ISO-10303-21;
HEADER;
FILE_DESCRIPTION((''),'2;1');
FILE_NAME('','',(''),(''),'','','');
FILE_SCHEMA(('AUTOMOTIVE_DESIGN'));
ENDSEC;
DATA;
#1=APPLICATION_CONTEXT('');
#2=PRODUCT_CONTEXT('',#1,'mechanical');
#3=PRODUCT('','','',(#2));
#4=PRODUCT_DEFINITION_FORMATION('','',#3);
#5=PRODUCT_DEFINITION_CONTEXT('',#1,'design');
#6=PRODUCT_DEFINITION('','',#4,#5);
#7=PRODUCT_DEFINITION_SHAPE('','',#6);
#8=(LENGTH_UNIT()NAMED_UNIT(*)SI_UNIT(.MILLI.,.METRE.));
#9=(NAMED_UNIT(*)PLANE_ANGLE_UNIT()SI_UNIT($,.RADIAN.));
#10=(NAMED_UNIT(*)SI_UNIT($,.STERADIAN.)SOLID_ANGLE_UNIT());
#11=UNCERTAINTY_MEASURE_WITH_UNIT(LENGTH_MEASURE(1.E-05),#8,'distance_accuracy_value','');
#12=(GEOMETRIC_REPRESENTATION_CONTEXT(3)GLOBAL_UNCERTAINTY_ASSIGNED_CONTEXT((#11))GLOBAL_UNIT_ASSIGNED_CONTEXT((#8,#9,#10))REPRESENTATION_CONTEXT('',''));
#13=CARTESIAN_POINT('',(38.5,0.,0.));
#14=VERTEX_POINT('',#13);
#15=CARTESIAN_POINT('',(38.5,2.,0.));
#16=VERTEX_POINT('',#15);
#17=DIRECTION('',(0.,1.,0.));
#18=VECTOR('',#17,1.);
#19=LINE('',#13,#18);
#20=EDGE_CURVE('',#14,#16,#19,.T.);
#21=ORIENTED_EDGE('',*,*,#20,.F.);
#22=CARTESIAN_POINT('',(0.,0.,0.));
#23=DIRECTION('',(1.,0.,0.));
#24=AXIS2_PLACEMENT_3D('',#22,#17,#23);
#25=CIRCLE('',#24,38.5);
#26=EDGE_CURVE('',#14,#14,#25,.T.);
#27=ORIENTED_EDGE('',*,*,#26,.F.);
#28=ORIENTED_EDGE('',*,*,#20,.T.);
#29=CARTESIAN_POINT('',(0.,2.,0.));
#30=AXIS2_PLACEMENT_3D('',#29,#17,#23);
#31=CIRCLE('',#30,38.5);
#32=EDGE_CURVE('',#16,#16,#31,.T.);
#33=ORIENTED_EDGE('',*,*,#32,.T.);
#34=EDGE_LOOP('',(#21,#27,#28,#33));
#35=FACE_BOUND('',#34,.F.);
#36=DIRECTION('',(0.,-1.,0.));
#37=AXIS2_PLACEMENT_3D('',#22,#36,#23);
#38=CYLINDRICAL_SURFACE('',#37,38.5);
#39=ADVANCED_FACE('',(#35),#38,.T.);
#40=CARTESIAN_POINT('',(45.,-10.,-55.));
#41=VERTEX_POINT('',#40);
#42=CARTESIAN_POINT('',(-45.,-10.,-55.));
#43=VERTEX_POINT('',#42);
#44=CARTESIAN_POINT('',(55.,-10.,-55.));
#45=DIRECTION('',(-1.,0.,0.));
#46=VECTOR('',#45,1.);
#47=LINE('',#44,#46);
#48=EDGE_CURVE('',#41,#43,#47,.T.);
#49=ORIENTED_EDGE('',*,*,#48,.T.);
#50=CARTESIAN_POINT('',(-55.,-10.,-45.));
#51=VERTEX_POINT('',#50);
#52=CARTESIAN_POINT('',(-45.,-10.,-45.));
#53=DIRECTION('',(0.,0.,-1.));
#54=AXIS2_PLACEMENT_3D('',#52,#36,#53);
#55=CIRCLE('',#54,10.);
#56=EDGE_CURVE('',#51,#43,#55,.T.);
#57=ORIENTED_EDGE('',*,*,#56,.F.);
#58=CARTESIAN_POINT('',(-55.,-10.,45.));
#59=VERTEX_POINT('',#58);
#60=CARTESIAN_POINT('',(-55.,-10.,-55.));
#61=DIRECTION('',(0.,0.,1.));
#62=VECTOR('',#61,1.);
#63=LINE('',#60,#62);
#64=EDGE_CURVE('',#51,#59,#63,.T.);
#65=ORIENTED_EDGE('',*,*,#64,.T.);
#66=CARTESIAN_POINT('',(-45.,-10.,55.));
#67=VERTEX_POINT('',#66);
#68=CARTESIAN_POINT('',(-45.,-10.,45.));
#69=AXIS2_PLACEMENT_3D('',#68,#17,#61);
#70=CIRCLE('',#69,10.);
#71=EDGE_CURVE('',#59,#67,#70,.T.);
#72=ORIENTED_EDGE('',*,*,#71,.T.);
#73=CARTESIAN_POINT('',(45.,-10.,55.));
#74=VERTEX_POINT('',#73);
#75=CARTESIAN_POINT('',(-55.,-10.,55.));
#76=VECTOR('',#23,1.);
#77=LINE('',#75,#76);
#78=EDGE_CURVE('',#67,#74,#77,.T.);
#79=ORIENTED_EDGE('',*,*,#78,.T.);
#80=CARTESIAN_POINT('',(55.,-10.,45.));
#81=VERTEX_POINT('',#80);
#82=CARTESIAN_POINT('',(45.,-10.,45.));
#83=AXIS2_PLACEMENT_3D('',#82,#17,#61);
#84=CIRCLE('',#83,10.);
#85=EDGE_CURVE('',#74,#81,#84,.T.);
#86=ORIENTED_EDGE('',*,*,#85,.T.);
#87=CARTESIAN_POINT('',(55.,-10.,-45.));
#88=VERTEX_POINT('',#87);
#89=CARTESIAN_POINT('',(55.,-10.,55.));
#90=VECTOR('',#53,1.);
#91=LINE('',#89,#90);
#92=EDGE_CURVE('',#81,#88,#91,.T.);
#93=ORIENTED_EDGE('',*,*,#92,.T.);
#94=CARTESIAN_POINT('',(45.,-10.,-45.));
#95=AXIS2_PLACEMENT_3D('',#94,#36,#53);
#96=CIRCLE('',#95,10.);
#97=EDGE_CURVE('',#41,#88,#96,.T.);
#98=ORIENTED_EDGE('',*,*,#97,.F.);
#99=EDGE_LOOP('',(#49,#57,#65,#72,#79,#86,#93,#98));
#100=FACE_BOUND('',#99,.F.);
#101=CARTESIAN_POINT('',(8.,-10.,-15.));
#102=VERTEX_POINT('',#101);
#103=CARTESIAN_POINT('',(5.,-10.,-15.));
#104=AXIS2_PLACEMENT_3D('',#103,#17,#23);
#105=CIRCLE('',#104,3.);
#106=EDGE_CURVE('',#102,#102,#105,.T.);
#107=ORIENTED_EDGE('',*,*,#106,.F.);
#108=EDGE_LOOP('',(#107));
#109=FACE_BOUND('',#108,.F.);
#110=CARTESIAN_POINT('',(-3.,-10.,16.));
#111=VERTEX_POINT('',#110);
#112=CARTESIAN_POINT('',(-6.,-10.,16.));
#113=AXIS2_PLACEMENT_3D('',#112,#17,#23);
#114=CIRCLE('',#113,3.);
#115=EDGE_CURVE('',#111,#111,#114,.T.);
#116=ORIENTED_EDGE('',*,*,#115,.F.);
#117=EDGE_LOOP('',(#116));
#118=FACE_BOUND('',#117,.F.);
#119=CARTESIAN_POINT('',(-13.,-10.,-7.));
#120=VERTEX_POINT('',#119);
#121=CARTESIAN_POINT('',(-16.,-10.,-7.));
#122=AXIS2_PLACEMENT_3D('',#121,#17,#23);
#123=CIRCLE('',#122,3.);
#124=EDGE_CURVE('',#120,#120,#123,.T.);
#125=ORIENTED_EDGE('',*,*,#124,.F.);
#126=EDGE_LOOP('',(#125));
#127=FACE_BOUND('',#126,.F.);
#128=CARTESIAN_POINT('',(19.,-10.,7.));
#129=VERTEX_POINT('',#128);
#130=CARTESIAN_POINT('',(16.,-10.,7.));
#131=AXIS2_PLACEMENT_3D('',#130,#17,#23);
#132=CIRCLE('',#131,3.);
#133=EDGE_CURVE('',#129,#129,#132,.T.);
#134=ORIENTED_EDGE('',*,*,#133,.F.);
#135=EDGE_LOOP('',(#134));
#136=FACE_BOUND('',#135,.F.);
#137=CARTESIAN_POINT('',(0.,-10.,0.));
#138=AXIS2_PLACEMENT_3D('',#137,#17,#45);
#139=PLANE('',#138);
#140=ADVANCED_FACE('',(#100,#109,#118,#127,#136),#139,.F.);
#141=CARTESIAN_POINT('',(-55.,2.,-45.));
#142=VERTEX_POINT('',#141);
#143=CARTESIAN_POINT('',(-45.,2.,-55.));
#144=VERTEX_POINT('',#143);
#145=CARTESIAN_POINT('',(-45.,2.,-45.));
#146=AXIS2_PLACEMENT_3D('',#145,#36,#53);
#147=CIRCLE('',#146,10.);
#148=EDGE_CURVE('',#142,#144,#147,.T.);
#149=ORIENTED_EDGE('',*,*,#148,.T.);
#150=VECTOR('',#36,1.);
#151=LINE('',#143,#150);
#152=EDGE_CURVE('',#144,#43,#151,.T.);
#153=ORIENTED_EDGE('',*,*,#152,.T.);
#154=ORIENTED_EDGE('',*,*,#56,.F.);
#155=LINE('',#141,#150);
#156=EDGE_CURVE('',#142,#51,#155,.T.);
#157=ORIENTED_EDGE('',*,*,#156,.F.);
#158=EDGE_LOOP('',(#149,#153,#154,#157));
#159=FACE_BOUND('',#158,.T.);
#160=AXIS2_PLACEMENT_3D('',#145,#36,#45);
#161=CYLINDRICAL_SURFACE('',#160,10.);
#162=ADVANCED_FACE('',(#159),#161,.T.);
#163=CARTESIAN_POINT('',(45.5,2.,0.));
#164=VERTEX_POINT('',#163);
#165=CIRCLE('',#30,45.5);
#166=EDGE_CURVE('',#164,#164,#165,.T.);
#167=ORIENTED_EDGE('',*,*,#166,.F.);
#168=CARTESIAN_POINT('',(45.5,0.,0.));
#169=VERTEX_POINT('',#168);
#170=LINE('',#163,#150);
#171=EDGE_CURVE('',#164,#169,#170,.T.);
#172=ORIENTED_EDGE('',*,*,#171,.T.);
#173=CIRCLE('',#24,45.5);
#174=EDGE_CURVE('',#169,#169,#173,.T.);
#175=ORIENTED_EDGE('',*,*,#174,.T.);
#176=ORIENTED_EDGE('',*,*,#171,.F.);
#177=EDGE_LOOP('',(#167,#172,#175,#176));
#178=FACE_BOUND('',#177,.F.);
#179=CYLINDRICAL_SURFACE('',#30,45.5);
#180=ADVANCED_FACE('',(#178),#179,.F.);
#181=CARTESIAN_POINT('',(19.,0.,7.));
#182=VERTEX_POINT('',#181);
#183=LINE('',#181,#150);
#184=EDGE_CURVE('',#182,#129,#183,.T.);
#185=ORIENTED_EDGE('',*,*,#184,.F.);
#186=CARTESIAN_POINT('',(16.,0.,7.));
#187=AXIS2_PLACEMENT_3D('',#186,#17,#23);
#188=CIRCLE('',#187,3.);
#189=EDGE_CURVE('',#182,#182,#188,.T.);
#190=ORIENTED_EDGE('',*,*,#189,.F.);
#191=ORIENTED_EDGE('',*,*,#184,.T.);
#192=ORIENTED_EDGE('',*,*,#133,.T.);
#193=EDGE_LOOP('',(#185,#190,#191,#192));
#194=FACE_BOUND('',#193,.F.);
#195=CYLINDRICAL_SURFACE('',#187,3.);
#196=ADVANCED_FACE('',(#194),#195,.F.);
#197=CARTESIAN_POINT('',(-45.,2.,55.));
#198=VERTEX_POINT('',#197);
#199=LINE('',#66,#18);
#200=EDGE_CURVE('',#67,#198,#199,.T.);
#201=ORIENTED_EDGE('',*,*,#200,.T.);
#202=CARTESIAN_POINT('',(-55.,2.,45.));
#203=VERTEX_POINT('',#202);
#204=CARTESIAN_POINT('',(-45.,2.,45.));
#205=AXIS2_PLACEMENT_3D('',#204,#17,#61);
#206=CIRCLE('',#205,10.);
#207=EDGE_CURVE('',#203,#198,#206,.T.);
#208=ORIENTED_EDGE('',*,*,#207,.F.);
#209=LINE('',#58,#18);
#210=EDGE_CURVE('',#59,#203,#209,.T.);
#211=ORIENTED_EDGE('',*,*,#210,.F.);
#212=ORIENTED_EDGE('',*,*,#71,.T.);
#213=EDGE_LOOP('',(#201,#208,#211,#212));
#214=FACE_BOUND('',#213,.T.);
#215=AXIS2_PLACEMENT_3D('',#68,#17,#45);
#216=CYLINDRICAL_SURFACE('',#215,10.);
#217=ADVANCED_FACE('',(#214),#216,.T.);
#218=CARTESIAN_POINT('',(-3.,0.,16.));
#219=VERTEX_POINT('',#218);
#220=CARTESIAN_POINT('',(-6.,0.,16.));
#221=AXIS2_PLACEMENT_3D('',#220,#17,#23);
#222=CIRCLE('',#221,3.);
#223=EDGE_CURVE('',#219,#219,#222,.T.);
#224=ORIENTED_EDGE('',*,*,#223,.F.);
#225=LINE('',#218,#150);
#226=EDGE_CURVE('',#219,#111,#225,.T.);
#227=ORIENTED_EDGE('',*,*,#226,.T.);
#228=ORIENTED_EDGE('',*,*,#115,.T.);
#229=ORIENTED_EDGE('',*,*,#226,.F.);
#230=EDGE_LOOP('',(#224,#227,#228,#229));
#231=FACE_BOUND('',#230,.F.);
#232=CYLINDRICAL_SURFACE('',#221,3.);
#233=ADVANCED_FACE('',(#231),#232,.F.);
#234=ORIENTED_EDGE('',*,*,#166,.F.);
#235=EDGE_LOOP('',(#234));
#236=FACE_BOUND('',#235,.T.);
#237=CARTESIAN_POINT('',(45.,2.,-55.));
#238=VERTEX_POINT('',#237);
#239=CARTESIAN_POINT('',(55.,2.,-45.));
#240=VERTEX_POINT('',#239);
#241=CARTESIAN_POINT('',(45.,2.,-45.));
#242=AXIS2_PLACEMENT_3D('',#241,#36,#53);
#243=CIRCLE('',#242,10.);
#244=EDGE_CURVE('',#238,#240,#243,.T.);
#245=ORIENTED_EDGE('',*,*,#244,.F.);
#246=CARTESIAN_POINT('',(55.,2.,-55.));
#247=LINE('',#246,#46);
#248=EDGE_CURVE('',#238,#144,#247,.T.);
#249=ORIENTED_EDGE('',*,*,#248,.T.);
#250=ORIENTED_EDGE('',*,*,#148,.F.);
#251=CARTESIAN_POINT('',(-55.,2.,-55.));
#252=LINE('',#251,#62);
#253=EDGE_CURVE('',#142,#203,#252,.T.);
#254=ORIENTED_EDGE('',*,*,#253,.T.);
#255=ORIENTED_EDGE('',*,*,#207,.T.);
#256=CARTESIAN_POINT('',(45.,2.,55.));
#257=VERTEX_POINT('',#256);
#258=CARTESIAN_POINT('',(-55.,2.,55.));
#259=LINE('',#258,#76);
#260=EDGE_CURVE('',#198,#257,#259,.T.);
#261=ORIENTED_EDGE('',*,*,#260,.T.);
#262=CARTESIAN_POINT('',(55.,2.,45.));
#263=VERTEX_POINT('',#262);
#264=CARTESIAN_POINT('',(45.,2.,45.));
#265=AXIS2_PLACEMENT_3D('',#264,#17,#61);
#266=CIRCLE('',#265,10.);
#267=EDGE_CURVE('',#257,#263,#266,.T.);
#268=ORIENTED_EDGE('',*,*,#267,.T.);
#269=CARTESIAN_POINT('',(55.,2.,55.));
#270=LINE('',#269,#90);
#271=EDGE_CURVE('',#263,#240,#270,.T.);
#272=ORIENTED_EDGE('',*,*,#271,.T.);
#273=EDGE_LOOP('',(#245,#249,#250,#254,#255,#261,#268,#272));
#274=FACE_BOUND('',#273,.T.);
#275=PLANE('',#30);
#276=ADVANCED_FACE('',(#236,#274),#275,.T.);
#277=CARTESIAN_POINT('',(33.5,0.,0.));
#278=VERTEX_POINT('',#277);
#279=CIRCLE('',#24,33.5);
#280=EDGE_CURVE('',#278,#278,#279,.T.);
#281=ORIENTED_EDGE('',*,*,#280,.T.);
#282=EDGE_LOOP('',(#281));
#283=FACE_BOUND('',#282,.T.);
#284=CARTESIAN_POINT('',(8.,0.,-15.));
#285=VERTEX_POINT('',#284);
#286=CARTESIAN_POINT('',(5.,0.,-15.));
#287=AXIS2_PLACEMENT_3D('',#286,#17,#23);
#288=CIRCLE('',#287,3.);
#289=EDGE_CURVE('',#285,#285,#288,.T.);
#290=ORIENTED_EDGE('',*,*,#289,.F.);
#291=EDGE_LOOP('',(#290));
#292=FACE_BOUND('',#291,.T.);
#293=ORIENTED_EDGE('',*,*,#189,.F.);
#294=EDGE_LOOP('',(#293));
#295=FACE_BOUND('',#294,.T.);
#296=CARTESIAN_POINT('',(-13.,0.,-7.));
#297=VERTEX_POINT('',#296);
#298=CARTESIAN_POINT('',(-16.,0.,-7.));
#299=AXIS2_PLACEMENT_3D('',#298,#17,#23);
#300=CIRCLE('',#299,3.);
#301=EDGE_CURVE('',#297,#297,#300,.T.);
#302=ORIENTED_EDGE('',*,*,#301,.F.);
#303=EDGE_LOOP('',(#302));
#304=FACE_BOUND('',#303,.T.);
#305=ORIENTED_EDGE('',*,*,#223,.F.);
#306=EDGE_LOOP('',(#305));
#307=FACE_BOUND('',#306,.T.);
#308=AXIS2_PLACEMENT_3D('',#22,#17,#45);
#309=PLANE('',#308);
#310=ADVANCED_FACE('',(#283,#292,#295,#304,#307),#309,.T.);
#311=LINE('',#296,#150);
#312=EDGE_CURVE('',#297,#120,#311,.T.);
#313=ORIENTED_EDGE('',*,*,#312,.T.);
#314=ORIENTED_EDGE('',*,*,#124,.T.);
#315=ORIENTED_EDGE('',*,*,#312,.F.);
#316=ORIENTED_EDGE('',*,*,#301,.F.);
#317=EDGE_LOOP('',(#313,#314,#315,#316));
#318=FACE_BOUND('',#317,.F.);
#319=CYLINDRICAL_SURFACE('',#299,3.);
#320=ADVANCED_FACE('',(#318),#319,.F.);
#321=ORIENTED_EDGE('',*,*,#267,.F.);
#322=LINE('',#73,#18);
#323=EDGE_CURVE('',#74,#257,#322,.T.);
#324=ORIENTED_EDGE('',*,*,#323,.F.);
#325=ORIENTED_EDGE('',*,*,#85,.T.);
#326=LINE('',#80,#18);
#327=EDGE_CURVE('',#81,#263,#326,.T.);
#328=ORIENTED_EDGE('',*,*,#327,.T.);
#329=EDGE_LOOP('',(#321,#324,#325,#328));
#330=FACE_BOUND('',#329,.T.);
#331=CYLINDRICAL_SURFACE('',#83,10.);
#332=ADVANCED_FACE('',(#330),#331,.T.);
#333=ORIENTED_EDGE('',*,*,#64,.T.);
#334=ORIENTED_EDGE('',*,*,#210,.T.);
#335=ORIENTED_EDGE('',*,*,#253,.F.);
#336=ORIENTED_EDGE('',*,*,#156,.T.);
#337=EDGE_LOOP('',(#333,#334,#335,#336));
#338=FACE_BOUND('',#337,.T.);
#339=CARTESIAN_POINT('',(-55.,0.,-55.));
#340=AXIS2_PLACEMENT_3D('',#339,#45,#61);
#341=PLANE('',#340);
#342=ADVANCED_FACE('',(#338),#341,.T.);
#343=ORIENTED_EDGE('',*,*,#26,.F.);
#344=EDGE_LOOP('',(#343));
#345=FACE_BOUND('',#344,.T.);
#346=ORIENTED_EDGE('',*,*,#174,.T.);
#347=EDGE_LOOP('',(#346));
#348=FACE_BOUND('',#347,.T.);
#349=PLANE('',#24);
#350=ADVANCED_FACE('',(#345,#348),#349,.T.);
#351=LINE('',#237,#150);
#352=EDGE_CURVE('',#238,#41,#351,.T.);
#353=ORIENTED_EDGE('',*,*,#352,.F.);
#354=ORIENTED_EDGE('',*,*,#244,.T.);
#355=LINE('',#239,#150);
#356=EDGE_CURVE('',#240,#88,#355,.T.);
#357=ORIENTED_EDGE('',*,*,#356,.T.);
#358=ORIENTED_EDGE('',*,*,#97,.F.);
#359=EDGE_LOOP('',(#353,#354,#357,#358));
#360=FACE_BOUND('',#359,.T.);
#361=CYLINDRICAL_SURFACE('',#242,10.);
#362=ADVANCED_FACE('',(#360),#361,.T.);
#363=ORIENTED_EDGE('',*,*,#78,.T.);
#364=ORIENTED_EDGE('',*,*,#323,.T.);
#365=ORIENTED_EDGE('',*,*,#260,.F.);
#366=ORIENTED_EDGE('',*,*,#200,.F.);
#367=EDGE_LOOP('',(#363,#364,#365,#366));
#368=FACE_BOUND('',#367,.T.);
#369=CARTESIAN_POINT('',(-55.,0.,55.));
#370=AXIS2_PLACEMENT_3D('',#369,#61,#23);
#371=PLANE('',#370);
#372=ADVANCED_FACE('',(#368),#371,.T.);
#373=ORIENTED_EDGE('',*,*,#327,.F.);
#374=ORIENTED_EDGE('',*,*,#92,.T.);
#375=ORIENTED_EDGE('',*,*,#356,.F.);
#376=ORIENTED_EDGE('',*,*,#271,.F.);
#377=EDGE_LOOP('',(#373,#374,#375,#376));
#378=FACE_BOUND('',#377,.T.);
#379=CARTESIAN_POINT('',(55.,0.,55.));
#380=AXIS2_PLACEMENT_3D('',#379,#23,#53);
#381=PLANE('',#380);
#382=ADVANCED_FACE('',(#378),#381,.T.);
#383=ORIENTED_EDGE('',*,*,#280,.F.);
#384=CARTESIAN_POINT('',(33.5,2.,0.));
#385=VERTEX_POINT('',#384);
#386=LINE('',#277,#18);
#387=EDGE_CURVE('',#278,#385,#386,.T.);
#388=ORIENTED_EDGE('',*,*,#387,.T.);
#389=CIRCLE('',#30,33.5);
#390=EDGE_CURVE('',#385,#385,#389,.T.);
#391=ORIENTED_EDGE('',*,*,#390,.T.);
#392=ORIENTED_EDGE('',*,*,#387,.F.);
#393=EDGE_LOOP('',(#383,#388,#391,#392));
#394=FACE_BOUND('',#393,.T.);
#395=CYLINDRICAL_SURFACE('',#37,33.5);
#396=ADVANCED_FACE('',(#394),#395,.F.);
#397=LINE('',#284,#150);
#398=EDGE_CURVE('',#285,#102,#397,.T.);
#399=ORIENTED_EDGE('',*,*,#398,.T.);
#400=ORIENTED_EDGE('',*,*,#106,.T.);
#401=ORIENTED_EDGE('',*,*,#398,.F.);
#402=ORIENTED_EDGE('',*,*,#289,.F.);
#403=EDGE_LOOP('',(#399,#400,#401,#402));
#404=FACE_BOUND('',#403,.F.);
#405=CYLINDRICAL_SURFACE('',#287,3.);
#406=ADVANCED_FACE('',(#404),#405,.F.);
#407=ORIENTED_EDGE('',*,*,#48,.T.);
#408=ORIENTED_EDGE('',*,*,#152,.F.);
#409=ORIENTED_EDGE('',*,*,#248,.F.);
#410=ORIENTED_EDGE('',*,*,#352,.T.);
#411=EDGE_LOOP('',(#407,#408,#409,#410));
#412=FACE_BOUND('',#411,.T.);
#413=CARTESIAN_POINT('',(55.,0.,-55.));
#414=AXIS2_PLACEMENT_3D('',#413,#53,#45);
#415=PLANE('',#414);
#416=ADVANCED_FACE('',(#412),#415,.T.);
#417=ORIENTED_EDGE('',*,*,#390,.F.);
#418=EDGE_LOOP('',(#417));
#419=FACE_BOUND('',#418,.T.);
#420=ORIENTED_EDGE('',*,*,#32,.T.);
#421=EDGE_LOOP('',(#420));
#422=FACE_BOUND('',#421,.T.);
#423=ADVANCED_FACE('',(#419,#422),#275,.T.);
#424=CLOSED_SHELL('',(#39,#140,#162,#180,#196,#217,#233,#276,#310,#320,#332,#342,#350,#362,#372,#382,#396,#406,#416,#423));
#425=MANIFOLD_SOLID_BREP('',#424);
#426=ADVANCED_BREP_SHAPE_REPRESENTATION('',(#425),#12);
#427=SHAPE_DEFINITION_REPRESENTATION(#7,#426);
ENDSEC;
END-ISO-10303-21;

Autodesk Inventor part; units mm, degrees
ref_plane "YZ Plane" through (0, 0, 0) normal (1, 0, 0) x (0, 1, 0)
ref_plane "XZ Plane" through (0, 0, 0) normal (0, 1, 0) x (-1, 0, 0)
ref_plane "XY Plane" through (0, 0, 0) normal (0, 0, 1) x (1, 0, 0)
sketch "스케치1" plane through (0, 0, 0) normal (0, 1, 0) x (-1, 0, 0)
  line L0 (55, 55) -> (-55, 55)
  line L1 (-55, 55) -> (-55, -55)
  line L2 (-55, -55) -> (55, -55)
  line L3 (55, -55) -> (55, 55)
  point P0 (0, 0)
  dimension "d0" = 110
  dimension "d1" = 110
  dimension "d2" = 55
  dimension "d3" = 55
extrude "돌출1" add sketch "스케치1" against normal blind 10
sketch "스케치2" plane through (0, 0, 0) normal (0, 1, 0) x (1, 0, 0)
  circle A0 centre (0, 0) radius 33.5 projected
  circle A1 centre (0, 0) radius 38.5 projected
  circle A2 centre (0, 0) radius 43.5 projected
  line L0 (-55, -55) -> (55, -55) projected
  line L1 (55, -55) -> (55, 55) projected
  line L2 (55, 55) -> (-55, 55) projected
  line L3 (-55, 55) -> (-55, -55) projected
extrude "돌출2" add sketch "스케치2" along normal blind 2
sketch "스케치3" plane through (0, 0, 0) normal (0, 1, 0) x (1, 0, 0)
  circle A0 centre (0, 0) radius 33.5 projected
  circle A1 centre (-16, 7) radius 3
  circle A2 centre (5, 15) radius 3
  circle A3 centre (16, -7) radius 3
  circle A4 centre (-6, -16) radius 3
  dimension "d8" = 6
  dimension "d9" = 6
  dimension "d10" = 6
  dimension "d11" = 6
extrude "돌출3" cut sketch "스케치3" against normal blind 10 contours A1 | A2 | A3 | A4
fillet "모깎기1" radius 10 4 edges at (-55, -4, -55) (55, -4, -55) (55, -4, 55) (-55, -4, 55)
sketch "스케치5" plane through (0, 2, 0) normal (0, 1, 0) x (1, 0, 0)
  circle A0 centre (0, 0) radius 43.5 projected
  arc A1 (-55, -45) -> (-45, -55) centre (-45, -45) ccw projected
  line L0 (-45, -55) -> (45, -55) projected
  arc A2 (45, -55) -> (55, -45) centre (45, -45) ccw projected
  line L1 (55, -45) -> (55, 45) projected
  arc A3 (55, 45) -> (45, 55) centre (45, 45) ccw projected
  line L2 (45, 55) -> (-45, 55) projected
  arc A4 (-45, 55) -> (-55, 45) centre (-45, 45) ccw projected
  line L3 (-55, 45) -> (-55, -45) projected
  circle A5 centre (0, 0) radius 38.5 projected
  circle A6 centre (0, 0) radius 43.5 projected
  circle A7 centre (0, 0) radius 45.5
  dimension "d18" = 91
extrude "돌출5" cut sketch "스케치5" against normal blind 2 contours A7
properties part number "실리콘틀_밑판" material "나일론, 이황화 몰리브덴"
